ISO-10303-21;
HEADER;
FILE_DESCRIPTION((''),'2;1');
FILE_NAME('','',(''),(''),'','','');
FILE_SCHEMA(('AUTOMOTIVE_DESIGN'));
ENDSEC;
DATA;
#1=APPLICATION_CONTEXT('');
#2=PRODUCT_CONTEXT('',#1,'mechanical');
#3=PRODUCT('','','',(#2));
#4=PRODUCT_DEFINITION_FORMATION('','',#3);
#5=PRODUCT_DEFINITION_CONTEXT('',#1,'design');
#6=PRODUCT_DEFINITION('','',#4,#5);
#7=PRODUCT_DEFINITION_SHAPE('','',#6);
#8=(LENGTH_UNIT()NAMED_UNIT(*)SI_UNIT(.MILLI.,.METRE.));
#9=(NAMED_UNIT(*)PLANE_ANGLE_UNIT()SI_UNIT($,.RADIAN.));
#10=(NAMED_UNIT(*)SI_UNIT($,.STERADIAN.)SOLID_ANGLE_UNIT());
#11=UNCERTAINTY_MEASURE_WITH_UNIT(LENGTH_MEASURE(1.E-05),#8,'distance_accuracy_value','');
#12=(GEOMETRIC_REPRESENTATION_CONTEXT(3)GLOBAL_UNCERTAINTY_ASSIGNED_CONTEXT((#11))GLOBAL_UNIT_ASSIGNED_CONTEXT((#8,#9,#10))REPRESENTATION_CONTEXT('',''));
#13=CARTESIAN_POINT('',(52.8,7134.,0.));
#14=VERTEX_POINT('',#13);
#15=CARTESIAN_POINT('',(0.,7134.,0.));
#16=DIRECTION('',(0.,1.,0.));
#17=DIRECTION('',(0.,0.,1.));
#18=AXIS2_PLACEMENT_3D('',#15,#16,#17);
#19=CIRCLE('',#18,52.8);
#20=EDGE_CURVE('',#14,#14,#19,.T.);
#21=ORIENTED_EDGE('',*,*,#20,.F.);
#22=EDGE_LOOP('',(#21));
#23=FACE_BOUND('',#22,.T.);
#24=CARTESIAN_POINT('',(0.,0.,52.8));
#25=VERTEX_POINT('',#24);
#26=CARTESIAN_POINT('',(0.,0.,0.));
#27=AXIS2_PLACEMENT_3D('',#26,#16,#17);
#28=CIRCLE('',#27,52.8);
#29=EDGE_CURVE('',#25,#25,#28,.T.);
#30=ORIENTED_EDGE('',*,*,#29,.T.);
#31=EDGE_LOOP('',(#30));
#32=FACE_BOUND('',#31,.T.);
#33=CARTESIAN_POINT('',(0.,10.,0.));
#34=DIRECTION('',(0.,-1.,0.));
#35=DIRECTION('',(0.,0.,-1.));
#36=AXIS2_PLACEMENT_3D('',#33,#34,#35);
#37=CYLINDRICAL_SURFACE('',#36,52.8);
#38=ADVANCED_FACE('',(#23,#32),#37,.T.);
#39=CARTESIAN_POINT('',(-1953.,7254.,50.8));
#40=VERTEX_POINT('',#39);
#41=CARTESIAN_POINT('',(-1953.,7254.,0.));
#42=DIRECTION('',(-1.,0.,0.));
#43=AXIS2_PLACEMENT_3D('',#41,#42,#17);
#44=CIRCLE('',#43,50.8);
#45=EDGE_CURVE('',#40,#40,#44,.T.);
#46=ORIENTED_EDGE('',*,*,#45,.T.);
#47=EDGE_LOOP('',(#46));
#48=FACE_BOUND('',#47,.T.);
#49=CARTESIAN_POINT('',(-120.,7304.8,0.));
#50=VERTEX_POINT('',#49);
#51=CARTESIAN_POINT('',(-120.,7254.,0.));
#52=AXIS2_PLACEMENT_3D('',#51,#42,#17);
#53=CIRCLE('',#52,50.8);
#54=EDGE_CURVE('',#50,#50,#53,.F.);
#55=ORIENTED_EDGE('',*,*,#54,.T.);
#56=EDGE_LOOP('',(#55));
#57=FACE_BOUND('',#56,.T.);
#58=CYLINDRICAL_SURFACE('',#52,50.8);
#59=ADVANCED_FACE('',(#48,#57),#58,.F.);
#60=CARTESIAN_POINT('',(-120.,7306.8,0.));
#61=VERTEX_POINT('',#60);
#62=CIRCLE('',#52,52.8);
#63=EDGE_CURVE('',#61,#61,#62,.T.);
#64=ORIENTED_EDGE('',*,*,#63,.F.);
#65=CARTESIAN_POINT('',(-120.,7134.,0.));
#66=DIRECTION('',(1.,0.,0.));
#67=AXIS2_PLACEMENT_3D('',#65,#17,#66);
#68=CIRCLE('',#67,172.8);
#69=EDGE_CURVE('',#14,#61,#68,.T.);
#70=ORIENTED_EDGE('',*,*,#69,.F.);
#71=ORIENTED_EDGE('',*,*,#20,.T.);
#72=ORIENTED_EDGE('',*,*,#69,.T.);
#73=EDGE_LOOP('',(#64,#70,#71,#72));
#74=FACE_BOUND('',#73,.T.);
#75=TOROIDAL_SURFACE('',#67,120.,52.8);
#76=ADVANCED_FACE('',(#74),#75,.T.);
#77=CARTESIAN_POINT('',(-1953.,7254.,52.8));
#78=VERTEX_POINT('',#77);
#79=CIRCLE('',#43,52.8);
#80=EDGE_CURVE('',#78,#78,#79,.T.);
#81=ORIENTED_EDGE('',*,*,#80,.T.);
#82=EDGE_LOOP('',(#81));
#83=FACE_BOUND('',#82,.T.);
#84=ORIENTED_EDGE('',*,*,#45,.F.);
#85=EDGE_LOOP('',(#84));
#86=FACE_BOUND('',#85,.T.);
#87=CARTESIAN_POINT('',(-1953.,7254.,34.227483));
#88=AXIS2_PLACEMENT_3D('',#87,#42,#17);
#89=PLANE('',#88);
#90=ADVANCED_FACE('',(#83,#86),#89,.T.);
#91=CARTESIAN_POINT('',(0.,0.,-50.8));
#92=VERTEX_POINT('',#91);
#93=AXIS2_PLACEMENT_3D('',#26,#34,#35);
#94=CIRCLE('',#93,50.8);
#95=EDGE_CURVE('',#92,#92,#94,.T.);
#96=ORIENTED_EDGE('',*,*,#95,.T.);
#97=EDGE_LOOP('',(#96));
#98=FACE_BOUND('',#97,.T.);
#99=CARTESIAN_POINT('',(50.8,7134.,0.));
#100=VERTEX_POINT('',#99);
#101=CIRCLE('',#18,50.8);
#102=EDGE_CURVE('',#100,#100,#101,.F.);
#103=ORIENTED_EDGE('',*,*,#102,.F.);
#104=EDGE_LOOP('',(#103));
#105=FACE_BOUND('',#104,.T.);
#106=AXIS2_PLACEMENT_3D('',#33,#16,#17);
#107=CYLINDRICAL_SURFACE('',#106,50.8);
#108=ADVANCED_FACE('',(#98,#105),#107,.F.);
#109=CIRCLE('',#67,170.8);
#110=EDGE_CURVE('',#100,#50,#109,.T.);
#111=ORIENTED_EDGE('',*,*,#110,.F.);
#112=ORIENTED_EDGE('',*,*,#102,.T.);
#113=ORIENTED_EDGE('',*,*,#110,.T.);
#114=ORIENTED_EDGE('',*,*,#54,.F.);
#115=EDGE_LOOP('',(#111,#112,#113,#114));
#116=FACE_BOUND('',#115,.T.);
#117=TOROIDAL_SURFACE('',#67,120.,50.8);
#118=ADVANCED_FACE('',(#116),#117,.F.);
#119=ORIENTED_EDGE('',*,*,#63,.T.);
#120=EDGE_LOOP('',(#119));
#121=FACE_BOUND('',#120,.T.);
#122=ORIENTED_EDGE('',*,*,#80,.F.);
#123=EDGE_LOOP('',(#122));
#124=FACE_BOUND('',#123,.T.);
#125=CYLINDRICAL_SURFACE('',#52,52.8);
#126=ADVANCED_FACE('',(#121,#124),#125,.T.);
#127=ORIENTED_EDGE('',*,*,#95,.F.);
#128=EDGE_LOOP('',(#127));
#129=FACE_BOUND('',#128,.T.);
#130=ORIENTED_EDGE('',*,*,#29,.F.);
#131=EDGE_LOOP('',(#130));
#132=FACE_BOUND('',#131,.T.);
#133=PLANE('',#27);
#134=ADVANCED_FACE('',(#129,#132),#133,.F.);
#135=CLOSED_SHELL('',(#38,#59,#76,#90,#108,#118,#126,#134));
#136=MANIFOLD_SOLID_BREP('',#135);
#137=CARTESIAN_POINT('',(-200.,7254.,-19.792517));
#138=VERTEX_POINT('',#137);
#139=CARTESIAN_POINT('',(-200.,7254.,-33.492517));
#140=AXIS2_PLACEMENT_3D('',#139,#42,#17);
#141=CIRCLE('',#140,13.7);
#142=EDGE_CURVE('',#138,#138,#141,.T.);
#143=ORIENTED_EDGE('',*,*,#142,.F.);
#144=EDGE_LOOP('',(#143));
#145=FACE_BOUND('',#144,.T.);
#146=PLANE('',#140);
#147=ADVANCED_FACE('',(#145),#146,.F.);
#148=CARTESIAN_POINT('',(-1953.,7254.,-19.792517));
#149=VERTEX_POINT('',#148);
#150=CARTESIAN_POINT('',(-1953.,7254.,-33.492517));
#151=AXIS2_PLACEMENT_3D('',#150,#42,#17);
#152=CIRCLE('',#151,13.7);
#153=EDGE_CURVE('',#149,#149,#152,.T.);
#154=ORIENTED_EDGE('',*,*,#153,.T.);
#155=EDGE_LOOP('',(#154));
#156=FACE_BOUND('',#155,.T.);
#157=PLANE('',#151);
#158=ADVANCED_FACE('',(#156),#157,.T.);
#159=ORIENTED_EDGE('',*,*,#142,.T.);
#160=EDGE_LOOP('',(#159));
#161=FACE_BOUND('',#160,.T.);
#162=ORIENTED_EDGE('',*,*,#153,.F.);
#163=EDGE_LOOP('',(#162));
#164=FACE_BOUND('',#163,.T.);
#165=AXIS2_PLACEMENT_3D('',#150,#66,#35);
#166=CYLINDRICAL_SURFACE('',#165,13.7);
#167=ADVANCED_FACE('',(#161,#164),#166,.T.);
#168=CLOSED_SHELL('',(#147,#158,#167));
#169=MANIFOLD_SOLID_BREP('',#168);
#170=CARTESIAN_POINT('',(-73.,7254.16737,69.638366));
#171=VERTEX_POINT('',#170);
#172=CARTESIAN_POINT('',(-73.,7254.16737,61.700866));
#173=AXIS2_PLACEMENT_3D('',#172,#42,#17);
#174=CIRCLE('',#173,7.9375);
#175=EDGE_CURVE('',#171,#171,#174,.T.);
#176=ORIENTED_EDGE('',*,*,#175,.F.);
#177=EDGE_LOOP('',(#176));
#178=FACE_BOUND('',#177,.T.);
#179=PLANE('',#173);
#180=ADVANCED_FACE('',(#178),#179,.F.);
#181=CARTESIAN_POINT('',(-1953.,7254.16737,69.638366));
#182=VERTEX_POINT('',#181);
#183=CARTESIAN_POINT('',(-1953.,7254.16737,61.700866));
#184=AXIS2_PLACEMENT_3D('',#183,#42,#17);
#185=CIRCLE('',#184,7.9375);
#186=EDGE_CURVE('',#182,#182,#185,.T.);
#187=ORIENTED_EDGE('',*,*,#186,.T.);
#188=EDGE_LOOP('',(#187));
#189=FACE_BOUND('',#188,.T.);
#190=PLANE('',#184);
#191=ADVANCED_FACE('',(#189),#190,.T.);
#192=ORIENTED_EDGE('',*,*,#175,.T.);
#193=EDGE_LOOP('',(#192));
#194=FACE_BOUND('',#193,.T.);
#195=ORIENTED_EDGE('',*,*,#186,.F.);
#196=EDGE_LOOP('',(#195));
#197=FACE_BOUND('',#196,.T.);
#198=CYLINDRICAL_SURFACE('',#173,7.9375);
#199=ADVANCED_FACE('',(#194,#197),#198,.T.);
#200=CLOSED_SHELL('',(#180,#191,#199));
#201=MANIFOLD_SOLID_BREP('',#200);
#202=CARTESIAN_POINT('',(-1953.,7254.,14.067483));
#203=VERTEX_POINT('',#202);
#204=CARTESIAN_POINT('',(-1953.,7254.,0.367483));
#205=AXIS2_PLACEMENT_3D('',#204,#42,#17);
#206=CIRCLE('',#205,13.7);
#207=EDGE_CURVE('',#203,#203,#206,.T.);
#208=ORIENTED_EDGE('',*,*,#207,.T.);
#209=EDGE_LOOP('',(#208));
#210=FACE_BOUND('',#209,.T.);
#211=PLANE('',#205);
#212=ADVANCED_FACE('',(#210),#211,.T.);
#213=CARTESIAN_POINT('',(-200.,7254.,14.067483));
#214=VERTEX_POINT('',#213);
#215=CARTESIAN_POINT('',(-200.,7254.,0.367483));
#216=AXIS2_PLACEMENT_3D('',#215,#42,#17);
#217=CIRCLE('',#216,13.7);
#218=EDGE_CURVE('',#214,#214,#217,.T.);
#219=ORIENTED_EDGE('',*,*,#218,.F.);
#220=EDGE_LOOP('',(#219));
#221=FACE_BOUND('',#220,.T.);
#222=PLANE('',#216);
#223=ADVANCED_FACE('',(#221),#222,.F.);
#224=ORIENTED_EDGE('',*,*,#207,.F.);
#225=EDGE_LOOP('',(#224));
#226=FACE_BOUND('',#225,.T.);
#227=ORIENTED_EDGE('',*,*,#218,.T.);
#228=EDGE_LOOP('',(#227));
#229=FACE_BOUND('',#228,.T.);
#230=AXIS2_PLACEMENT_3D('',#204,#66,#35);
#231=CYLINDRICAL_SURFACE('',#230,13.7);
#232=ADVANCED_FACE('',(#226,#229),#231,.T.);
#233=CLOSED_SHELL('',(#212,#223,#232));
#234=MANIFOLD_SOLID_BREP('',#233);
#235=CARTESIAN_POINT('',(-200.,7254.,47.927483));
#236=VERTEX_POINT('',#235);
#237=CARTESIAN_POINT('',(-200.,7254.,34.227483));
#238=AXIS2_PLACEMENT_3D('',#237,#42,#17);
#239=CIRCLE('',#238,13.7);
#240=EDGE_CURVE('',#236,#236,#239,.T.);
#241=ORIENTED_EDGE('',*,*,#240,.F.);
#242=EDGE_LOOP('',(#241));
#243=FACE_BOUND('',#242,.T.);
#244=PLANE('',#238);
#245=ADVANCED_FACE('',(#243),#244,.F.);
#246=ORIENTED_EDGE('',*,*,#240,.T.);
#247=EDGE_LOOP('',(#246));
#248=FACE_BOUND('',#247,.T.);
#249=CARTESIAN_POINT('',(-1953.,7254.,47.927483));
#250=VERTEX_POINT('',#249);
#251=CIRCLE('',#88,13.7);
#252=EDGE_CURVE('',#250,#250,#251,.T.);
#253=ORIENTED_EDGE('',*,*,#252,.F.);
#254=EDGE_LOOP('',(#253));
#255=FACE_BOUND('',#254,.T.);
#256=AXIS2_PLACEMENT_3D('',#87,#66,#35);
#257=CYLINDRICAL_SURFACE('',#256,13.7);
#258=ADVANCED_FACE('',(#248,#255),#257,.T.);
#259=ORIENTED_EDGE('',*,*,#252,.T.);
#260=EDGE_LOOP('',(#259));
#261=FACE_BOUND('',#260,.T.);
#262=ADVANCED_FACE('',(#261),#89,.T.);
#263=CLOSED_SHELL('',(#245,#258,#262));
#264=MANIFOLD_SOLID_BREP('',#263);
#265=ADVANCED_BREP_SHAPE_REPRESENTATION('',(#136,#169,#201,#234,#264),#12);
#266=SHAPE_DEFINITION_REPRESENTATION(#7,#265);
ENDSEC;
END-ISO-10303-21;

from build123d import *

# Parameters (mm, degrees)
CROQUIS1_R                = 52.8
SALIENTE_EXTRUIR2_DEPTH   = 10
CROQUIS3_R                = 52.8
CROQUIS3_R_2              = 50.8
CROQUIS4_R                = 13.7
SALIENTE_EXTRUIR3_DEPTH   = 1753
SALIENTE_EXTRUIR3_2_DEPTH = 1753
SALIENTE_EXTRUIR3_3_DEPTH = 1753
CROQUIS9_R                = 50.8
CORTAR_EXTRUIR1_DEPTH     = 100
CROQUIS11_R               = 52.8
CROQUIS11_R_2             = 50.8
SALIENTE_EXTRUIR4_DEPTH   = 1753
CROQUIS12_R               = 7.9375
SALIENTE_EXTRUIR5_DEPTH   = 1880


with BuildPart() as part:
    # Croquis1 → Saliente-Extruir2 (new body)
    with BuildSketch(Plane(origin=(0, 0, 0), x_dir=(1, 0, 0), z_dir=(0, 1, 0))):
        Circle(CROQUIS1_R)
    extrude(amount=SALIENTE_EXTRUIR2_DEPTH)

    # Barrer1: sweep along a curve in space
    with BuildLine() as barrer1_path:
        Line((0, 0, 0), (0, 7134, 0))
        ThreePointArc((0, 7134, 0), (-35.147186258, 7218.852813742, 0), (-120, 7254, 0))
        Line((-120, 7254, 0), (-200, 7254, 0))
    # Croquis3 → Barrer1 (sweep)
    with BuildSketch(Plane(origin=(0, 10, 0), x_dir=(1, 0, 0), z_dir=(0, 1, 0))):
        Circle(CROQUIS3_R)
        Circle(CROQUIS3_R_2, mode=Mode.SUBTRACT)
    sweep(path=barrer1_path.line)

    # Croquis9 → Cortar-Extruir1 (cut)
    with BuildSketch(Plane.XZ):
        Circle(CROQUIS9_R)
    extrude(amount=-CORTAR_EXTRUIR1_DEPTH, mode=Mode.SUBTRACT)

    # Croquis11 → Saliente-Extruir4 (add)
    with BuildSketch(Plane.ZY.offset(200)):
        with Locations((0, 7254)):
            Circle(CROQUIS11_R)
        with Locations((0, 7254)):
            Circle(CROQUIS11_R_2, mode=Mode.SUBTRACT)
    extrude(amount=SALIENTE_EXTRUIR4_DEPTH)


with BuildPart() as body_2:
    # Croquis4 → Saliente-Extruir3 (new body)
    with BuildSketch(Plane.ZY.offset(200)):
        with Locations((34.227483109, 7254)):
            Circle(CROQUIS4_R)
    extrude(amount=SALIENTE_EXTRUIR3_DEPTH)


with BuildPart() as body_3:
    # Croquis4 → Saliente-Extruir3 2 (new body)
    with BuildSketch(Plane.ZY.offset(200)):
        with Locations((0.367483109, 7254)):
            Circle(CROQUIS4_R)
    extrude(amount=SALIENTE_EXTRUIR3_2_DEPTH)


with BuildPart() as body_4:
    # Croquis4 → Saliente-Extruir3 3 (new body)
    with BuildSketch(Plane.ZY.offset(200)):
        with Locations((-33.492516891, 7254)):
            Circle(CROQUIS4_R)
    extrude(amount=SALIENTE_EXTRUIR3_3_DEPTH)


with BuildPart() as body_5:
    # Croquis12 → Saliente-Extruir5 (new body)
    with BuildSketch(Plane.ZY.offset(1953)):
        with Locations((61.700865987, 7254.167370401)):
            Circle(CROQUIS12_R)
    extrude(amount=-SALIENTE_EXTRUIR5_DEPTH)


solid = Compound([part.part, body_2.part, body_3.part, body_4.part, body_5.part])
